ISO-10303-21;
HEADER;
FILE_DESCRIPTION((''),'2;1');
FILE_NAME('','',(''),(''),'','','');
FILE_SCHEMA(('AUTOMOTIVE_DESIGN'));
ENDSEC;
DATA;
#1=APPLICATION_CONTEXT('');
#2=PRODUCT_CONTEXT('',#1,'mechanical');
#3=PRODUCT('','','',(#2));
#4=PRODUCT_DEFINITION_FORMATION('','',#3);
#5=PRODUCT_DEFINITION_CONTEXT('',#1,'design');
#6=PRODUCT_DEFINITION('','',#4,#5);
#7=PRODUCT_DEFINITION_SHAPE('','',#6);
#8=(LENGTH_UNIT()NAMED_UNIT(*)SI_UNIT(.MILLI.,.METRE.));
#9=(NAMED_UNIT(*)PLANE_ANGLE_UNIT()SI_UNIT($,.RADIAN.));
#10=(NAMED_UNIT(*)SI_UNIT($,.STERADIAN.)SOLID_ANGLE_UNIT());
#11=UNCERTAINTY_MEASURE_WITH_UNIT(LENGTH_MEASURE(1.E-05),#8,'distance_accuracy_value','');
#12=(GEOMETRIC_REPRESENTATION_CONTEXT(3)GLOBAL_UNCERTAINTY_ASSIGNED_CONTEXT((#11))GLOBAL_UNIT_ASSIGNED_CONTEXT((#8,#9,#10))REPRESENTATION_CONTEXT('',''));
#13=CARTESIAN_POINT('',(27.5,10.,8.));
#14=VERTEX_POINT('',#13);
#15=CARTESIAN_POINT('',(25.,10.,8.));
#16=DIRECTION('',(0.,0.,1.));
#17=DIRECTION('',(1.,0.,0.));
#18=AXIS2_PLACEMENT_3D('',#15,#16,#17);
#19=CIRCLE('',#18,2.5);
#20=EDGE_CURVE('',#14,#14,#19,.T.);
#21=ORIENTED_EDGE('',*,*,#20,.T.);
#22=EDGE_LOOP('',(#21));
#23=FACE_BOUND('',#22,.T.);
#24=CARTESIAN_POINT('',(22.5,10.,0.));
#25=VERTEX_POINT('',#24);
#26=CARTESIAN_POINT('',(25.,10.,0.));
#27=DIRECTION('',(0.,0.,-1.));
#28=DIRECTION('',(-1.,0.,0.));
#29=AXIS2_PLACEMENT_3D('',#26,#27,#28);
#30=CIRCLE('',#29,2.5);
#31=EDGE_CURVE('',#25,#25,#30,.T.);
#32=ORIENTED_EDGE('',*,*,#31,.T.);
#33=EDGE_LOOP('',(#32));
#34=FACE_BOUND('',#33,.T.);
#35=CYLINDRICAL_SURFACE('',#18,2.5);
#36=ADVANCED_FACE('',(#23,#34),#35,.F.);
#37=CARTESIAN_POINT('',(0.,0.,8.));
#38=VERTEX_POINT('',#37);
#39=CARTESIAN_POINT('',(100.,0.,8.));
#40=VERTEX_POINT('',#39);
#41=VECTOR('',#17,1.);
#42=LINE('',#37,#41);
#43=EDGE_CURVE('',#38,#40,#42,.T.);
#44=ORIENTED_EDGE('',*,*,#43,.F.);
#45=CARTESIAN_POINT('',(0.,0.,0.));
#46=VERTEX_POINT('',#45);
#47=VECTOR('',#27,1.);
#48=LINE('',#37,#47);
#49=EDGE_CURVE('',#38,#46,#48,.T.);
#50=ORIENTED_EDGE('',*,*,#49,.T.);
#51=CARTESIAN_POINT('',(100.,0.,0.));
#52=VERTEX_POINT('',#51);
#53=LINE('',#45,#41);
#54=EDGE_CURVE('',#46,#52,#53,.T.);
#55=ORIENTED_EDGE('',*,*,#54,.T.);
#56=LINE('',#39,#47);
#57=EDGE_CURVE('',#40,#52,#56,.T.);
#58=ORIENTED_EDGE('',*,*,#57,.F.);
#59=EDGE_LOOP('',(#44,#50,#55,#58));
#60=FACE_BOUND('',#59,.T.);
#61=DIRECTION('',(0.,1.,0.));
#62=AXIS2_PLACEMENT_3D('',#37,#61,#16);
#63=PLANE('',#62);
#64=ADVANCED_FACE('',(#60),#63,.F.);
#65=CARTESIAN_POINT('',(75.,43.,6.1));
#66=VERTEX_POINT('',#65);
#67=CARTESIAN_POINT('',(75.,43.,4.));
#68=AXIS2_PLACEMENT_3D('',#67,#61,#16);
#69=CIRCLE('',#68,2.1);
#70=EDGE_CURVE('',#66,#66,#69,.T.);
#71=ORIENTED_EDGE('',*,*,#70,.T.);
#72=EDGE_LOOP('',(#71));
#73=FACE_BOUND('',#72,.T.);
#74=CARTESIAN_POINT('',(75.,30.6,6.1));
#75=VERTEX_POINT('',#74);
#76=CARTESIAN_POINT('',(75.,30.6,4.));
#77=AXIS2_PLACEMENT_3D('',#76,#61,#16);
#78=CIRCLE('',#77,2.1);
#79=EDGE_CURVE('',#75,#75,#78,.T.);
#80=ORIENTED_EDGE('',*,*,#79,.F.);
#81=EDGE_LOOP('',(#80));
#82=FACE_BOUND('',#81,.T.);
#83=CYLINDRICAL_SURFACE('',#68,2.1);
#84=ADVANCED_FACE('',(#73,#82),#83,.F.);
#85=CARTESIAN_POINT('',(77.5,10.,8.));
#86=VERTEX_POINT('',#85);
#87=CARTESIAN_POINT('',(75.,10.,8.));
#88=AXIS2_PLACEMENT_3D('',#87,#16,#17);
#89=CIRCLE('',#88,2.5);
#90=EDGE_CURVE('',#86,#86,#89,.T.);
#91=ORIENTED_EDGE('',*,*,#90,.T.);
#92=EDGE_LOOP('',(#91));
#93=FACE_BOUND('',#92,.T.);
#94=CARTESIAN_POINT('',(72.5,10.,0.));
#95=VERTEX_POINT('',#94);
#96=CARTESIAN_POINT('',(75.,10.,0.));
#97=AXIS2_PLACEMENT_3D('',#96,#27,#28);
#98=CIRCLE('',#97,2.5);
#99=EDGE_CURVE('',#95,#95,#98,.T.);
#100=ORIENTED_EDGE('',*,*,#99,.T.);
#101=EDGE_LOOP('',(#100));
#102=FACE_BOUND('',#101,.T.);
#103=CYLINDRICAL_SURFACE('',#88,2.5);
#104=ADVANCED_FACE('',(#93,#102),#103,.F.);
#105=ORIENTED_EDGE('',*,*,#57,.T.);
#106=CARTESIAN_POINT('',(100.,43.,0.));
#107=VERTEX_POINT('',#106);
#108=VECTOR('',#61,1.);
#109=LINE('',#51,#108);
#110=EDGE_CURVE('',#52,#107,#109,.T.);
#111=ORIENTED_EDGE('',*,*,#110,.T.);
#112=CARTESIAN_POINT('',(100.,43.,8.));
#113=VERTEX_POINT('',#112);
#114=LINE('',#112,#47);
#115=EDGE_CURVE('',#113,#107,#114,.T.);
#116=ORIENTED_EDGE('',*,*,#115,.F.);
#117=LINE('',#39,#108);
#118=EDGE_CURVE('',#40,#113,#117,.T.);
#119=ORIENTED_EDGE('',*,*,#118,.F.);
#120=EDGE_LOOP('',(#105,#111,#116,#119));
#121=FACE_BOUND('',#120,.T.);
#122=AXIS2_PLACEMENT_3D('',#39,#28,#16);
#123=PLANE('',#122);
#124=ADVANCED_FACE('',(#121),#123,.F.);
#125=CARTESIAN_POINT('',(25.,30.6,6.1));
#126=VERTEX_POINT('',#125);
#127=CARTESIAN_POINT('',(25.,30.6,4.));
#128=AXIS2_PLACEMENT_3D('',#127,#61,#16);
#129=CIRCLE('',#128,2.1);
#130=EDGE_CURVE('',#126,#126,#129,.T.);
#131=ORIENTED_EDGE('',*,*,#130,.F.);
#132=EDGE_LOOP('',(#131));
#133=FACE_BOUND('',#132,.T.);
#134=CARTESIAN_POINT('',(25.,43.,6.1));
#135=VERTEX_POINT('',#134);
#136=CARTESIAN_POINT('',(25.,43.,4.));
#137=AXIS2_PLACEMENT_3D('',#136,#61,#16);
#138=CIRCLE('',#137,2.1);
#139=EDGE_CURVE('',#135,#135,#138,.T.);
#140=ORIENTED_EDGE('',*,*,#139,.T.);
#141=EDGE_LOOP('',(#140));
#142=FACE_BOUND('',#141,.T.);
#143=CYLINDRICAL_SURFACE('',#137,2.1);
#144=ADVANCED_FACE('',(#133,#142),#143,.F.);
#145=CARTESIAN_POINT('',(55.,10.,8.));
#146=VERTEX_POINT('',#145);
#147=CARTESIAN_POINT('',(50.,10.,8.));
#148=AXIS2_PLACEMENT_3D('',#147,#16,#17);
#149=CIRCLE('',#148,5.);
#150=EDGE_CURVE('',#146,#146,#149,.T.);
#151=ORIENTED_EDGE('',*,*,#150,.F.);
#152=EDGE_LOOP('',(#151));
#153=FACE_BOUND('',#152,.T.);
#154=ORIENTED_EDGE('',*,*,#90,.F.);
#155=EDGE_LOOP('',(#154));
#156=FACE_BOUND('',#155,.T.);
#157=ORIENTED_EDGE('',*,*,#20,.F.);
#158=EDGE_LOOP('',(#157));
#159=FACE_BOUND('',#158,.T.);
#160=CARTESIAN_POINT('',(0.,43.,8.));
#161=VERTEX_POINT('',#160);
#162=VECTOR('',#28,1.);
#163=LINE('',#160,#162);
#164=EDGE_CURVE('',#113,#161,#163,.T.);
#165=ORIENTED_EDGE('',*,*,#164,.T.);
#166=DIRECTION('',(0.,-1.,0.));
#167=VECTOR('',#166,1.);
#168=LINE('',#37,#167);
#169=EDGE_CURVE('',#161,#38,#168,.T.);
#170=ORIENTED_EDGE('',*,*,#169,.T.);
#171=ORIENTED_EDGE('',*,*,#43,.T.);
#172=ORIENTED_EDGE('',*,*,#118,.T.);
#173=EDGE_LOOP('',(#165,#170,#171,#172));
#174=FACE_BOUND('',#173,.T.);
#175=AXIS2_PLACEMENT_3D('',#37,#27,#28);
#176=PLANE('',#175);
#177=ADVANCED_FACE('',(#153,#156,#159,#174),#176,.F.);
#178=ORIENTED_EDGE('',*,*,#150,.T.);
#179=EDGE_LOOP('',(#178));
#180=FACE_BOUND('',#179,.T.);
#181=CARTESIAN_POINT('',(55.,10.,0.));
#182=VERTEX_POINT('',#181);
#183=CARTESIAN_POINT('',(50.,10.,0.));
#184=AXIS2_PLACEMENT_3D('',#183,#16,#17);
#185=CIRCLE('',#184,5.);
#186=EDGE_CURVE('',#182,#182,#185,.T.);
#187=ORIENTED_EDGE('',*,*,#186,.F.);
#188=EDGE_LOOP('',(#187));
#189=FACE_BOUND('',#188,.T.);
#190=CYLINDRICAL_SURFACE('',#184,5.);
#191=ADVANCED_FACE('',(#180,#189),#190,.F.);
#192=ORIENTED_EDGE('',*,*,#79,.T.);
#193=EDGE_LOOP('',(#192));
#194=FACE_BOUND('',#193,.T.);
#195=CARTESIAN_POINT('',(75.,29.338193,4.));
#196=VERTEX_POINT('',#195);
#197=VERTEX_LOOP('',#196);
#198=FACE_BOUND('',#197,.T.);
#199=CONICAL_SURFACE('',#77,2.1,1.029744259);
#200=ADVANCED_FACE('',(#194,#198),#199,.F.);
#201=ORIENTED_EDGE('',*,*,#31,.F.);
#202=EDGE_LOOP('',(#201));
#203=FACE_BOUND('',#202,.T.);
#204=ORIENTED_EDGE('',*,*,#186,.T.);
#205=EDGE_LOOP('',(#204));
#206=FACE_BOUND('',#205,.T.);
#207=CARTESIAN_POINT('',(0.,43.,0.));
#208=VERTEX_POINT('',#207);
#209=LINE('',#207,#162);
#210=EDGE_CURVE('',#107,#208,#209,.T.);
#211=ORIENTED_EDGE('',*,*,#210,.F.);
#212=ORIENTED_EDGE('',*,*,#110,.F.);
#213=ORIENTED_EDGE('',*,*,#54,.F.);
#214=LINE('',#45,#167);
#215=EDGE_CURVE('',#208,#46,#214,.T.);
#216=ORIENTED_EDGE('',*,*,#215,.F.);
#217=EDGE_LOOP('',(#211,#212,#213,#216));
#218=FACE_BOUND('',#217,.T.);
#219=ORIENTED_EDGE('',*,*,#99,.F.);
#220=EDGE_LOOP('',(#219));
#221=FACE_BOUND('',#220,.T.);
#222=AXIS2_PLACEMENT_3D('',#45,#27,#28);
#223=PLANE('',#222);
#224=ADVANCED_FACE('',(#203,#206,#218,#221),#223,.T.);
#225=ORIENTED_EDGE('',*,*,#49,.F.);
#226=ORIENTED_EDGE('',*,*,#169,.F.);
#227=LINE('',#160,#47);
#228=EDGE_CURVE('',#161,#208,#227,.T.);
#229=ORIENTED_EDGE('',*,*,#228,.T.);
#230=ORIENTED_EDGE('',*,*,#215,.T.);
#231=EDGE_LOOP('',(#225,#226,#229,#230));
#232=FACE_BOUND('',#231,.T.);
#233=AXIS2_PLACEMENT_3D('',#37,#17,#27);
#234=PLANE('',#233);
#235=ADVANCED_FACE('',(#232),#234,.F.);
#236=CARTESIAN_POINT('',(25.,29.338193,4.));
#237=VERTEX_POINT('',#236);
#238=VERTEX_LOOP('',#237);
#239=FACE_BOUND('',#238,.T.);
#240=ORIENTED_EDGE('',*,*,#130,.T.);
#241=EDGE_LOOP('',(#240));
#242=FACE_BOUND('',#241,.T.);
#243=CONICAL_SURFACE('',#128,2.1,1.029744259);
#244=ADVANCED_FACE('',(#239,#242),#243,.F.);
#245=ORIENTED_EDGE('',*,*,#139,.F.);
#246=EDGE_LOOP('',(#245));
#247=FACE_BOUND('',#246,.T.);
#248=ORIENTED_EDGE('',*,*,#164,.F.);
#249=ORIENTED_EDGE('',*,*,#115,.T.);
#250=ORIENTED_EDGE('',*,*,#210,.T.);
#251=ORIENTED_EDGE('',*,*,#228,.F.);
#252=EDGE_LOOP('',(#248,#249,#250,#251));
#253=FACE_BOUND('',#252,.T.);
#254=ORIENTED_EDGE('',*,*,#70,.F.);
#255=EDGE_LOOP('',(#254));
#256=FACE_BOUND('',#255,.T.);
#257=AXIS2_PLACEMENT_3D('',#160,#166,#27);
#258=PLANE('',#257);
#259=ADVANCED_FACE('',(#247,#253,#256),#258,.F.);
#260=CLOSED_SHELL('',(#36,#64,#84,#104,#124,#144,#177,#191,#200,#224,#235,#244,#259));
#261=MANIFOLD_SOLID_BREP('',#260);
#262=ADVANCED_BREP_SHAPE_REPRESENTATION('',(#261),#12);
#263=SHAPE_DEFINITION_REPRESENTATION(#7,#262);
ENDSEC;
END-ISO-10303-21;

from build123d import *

# Parameters (mm, degrees)
SKETCH_2_W             = 100
SKETCH_2_H             = 43
EXTRUDE_1_DEPTH        = 8
SKETCH_3_R             = 5
CUT_EXTRUDE_1_DEPTH    = 8
HOLE_WIZARD_M6_1_D     = 5
HOLE_WIZARD_M6_1_DEPTH = 15
HOLE_WIZARD_M6_1_TIP   = 1.502151548
HOLE_WIZARD_M5_1_D     = 4.2
HOLE_WIZARD_M5_1_DEPTH = 12.4
HOLE_WIZARD_M5_1_TIP   = 1.2618073


with BuildPart() as part:
    # 草图2 → 凸台-拉伸1 (new body)
    with BuildSketch(Plane.XY):
        with Locations((50, 21.5)):
            Rectangle(SKETCH_2_W, SKETCH_2_H)
    extrude(amount=EXTRUDE_1_DEPTH)

    # 草图3 → 切除-拉伸1 (cut)
    with BuildSketch(Plane.XY.offset(8)):
        with Locations((50, 10)):
            Circle(SKETCH_3_R)
    extrude(amount=-CUT_EXTRUDE_1_DEPTH, mode=Mode.SUBTRACT)

    # M6 螺纹孔1
    with Locations(Plane.XY.offset(8)):
        with Locations((25, 10), (75, 10)):
            Hole(HOLE_WIZARD_M6_1_D / 2, depth=HOLE_WIZARD_M6_1_DEPTH)
            with Locations((0, 0, -(HOLE_WIZARD_M6_1_DEPTH + HOLE_WIZARD_M6_1_TIP / 2))):  # 118° drill point
                Cone(0, HOLE_WIZARD_M6_1_D / 2, HOLE_WIZARD_M6_1_TIP, mode=Mode.SUBTRACT)

    # M5 螺纹孔1
    with Locations(Plane(origin=(0, 43, 0), x_dir=(1, 0, 0), z_dir=(0, 1, 0))):
        with Locations((25, -4), (75, -4)):
            Hole(HOLE_WIZARD_M5_1_D / 2, depth=HOLE_WIZARD_M5_1_DEPTH)
            with Locations((0, 0, -(HOLE_WIZARD_M5_1_DEPTH + HOLE_WIZARD_M5_1_TIP / 2))):  # 118° drill point
                Cone(0, HOLE_WIZARD_M5_1_D / 2, HOLE_WIZARD_M5_1_TIP, mode=Mode.SUBTRACT)


solid = part.part
